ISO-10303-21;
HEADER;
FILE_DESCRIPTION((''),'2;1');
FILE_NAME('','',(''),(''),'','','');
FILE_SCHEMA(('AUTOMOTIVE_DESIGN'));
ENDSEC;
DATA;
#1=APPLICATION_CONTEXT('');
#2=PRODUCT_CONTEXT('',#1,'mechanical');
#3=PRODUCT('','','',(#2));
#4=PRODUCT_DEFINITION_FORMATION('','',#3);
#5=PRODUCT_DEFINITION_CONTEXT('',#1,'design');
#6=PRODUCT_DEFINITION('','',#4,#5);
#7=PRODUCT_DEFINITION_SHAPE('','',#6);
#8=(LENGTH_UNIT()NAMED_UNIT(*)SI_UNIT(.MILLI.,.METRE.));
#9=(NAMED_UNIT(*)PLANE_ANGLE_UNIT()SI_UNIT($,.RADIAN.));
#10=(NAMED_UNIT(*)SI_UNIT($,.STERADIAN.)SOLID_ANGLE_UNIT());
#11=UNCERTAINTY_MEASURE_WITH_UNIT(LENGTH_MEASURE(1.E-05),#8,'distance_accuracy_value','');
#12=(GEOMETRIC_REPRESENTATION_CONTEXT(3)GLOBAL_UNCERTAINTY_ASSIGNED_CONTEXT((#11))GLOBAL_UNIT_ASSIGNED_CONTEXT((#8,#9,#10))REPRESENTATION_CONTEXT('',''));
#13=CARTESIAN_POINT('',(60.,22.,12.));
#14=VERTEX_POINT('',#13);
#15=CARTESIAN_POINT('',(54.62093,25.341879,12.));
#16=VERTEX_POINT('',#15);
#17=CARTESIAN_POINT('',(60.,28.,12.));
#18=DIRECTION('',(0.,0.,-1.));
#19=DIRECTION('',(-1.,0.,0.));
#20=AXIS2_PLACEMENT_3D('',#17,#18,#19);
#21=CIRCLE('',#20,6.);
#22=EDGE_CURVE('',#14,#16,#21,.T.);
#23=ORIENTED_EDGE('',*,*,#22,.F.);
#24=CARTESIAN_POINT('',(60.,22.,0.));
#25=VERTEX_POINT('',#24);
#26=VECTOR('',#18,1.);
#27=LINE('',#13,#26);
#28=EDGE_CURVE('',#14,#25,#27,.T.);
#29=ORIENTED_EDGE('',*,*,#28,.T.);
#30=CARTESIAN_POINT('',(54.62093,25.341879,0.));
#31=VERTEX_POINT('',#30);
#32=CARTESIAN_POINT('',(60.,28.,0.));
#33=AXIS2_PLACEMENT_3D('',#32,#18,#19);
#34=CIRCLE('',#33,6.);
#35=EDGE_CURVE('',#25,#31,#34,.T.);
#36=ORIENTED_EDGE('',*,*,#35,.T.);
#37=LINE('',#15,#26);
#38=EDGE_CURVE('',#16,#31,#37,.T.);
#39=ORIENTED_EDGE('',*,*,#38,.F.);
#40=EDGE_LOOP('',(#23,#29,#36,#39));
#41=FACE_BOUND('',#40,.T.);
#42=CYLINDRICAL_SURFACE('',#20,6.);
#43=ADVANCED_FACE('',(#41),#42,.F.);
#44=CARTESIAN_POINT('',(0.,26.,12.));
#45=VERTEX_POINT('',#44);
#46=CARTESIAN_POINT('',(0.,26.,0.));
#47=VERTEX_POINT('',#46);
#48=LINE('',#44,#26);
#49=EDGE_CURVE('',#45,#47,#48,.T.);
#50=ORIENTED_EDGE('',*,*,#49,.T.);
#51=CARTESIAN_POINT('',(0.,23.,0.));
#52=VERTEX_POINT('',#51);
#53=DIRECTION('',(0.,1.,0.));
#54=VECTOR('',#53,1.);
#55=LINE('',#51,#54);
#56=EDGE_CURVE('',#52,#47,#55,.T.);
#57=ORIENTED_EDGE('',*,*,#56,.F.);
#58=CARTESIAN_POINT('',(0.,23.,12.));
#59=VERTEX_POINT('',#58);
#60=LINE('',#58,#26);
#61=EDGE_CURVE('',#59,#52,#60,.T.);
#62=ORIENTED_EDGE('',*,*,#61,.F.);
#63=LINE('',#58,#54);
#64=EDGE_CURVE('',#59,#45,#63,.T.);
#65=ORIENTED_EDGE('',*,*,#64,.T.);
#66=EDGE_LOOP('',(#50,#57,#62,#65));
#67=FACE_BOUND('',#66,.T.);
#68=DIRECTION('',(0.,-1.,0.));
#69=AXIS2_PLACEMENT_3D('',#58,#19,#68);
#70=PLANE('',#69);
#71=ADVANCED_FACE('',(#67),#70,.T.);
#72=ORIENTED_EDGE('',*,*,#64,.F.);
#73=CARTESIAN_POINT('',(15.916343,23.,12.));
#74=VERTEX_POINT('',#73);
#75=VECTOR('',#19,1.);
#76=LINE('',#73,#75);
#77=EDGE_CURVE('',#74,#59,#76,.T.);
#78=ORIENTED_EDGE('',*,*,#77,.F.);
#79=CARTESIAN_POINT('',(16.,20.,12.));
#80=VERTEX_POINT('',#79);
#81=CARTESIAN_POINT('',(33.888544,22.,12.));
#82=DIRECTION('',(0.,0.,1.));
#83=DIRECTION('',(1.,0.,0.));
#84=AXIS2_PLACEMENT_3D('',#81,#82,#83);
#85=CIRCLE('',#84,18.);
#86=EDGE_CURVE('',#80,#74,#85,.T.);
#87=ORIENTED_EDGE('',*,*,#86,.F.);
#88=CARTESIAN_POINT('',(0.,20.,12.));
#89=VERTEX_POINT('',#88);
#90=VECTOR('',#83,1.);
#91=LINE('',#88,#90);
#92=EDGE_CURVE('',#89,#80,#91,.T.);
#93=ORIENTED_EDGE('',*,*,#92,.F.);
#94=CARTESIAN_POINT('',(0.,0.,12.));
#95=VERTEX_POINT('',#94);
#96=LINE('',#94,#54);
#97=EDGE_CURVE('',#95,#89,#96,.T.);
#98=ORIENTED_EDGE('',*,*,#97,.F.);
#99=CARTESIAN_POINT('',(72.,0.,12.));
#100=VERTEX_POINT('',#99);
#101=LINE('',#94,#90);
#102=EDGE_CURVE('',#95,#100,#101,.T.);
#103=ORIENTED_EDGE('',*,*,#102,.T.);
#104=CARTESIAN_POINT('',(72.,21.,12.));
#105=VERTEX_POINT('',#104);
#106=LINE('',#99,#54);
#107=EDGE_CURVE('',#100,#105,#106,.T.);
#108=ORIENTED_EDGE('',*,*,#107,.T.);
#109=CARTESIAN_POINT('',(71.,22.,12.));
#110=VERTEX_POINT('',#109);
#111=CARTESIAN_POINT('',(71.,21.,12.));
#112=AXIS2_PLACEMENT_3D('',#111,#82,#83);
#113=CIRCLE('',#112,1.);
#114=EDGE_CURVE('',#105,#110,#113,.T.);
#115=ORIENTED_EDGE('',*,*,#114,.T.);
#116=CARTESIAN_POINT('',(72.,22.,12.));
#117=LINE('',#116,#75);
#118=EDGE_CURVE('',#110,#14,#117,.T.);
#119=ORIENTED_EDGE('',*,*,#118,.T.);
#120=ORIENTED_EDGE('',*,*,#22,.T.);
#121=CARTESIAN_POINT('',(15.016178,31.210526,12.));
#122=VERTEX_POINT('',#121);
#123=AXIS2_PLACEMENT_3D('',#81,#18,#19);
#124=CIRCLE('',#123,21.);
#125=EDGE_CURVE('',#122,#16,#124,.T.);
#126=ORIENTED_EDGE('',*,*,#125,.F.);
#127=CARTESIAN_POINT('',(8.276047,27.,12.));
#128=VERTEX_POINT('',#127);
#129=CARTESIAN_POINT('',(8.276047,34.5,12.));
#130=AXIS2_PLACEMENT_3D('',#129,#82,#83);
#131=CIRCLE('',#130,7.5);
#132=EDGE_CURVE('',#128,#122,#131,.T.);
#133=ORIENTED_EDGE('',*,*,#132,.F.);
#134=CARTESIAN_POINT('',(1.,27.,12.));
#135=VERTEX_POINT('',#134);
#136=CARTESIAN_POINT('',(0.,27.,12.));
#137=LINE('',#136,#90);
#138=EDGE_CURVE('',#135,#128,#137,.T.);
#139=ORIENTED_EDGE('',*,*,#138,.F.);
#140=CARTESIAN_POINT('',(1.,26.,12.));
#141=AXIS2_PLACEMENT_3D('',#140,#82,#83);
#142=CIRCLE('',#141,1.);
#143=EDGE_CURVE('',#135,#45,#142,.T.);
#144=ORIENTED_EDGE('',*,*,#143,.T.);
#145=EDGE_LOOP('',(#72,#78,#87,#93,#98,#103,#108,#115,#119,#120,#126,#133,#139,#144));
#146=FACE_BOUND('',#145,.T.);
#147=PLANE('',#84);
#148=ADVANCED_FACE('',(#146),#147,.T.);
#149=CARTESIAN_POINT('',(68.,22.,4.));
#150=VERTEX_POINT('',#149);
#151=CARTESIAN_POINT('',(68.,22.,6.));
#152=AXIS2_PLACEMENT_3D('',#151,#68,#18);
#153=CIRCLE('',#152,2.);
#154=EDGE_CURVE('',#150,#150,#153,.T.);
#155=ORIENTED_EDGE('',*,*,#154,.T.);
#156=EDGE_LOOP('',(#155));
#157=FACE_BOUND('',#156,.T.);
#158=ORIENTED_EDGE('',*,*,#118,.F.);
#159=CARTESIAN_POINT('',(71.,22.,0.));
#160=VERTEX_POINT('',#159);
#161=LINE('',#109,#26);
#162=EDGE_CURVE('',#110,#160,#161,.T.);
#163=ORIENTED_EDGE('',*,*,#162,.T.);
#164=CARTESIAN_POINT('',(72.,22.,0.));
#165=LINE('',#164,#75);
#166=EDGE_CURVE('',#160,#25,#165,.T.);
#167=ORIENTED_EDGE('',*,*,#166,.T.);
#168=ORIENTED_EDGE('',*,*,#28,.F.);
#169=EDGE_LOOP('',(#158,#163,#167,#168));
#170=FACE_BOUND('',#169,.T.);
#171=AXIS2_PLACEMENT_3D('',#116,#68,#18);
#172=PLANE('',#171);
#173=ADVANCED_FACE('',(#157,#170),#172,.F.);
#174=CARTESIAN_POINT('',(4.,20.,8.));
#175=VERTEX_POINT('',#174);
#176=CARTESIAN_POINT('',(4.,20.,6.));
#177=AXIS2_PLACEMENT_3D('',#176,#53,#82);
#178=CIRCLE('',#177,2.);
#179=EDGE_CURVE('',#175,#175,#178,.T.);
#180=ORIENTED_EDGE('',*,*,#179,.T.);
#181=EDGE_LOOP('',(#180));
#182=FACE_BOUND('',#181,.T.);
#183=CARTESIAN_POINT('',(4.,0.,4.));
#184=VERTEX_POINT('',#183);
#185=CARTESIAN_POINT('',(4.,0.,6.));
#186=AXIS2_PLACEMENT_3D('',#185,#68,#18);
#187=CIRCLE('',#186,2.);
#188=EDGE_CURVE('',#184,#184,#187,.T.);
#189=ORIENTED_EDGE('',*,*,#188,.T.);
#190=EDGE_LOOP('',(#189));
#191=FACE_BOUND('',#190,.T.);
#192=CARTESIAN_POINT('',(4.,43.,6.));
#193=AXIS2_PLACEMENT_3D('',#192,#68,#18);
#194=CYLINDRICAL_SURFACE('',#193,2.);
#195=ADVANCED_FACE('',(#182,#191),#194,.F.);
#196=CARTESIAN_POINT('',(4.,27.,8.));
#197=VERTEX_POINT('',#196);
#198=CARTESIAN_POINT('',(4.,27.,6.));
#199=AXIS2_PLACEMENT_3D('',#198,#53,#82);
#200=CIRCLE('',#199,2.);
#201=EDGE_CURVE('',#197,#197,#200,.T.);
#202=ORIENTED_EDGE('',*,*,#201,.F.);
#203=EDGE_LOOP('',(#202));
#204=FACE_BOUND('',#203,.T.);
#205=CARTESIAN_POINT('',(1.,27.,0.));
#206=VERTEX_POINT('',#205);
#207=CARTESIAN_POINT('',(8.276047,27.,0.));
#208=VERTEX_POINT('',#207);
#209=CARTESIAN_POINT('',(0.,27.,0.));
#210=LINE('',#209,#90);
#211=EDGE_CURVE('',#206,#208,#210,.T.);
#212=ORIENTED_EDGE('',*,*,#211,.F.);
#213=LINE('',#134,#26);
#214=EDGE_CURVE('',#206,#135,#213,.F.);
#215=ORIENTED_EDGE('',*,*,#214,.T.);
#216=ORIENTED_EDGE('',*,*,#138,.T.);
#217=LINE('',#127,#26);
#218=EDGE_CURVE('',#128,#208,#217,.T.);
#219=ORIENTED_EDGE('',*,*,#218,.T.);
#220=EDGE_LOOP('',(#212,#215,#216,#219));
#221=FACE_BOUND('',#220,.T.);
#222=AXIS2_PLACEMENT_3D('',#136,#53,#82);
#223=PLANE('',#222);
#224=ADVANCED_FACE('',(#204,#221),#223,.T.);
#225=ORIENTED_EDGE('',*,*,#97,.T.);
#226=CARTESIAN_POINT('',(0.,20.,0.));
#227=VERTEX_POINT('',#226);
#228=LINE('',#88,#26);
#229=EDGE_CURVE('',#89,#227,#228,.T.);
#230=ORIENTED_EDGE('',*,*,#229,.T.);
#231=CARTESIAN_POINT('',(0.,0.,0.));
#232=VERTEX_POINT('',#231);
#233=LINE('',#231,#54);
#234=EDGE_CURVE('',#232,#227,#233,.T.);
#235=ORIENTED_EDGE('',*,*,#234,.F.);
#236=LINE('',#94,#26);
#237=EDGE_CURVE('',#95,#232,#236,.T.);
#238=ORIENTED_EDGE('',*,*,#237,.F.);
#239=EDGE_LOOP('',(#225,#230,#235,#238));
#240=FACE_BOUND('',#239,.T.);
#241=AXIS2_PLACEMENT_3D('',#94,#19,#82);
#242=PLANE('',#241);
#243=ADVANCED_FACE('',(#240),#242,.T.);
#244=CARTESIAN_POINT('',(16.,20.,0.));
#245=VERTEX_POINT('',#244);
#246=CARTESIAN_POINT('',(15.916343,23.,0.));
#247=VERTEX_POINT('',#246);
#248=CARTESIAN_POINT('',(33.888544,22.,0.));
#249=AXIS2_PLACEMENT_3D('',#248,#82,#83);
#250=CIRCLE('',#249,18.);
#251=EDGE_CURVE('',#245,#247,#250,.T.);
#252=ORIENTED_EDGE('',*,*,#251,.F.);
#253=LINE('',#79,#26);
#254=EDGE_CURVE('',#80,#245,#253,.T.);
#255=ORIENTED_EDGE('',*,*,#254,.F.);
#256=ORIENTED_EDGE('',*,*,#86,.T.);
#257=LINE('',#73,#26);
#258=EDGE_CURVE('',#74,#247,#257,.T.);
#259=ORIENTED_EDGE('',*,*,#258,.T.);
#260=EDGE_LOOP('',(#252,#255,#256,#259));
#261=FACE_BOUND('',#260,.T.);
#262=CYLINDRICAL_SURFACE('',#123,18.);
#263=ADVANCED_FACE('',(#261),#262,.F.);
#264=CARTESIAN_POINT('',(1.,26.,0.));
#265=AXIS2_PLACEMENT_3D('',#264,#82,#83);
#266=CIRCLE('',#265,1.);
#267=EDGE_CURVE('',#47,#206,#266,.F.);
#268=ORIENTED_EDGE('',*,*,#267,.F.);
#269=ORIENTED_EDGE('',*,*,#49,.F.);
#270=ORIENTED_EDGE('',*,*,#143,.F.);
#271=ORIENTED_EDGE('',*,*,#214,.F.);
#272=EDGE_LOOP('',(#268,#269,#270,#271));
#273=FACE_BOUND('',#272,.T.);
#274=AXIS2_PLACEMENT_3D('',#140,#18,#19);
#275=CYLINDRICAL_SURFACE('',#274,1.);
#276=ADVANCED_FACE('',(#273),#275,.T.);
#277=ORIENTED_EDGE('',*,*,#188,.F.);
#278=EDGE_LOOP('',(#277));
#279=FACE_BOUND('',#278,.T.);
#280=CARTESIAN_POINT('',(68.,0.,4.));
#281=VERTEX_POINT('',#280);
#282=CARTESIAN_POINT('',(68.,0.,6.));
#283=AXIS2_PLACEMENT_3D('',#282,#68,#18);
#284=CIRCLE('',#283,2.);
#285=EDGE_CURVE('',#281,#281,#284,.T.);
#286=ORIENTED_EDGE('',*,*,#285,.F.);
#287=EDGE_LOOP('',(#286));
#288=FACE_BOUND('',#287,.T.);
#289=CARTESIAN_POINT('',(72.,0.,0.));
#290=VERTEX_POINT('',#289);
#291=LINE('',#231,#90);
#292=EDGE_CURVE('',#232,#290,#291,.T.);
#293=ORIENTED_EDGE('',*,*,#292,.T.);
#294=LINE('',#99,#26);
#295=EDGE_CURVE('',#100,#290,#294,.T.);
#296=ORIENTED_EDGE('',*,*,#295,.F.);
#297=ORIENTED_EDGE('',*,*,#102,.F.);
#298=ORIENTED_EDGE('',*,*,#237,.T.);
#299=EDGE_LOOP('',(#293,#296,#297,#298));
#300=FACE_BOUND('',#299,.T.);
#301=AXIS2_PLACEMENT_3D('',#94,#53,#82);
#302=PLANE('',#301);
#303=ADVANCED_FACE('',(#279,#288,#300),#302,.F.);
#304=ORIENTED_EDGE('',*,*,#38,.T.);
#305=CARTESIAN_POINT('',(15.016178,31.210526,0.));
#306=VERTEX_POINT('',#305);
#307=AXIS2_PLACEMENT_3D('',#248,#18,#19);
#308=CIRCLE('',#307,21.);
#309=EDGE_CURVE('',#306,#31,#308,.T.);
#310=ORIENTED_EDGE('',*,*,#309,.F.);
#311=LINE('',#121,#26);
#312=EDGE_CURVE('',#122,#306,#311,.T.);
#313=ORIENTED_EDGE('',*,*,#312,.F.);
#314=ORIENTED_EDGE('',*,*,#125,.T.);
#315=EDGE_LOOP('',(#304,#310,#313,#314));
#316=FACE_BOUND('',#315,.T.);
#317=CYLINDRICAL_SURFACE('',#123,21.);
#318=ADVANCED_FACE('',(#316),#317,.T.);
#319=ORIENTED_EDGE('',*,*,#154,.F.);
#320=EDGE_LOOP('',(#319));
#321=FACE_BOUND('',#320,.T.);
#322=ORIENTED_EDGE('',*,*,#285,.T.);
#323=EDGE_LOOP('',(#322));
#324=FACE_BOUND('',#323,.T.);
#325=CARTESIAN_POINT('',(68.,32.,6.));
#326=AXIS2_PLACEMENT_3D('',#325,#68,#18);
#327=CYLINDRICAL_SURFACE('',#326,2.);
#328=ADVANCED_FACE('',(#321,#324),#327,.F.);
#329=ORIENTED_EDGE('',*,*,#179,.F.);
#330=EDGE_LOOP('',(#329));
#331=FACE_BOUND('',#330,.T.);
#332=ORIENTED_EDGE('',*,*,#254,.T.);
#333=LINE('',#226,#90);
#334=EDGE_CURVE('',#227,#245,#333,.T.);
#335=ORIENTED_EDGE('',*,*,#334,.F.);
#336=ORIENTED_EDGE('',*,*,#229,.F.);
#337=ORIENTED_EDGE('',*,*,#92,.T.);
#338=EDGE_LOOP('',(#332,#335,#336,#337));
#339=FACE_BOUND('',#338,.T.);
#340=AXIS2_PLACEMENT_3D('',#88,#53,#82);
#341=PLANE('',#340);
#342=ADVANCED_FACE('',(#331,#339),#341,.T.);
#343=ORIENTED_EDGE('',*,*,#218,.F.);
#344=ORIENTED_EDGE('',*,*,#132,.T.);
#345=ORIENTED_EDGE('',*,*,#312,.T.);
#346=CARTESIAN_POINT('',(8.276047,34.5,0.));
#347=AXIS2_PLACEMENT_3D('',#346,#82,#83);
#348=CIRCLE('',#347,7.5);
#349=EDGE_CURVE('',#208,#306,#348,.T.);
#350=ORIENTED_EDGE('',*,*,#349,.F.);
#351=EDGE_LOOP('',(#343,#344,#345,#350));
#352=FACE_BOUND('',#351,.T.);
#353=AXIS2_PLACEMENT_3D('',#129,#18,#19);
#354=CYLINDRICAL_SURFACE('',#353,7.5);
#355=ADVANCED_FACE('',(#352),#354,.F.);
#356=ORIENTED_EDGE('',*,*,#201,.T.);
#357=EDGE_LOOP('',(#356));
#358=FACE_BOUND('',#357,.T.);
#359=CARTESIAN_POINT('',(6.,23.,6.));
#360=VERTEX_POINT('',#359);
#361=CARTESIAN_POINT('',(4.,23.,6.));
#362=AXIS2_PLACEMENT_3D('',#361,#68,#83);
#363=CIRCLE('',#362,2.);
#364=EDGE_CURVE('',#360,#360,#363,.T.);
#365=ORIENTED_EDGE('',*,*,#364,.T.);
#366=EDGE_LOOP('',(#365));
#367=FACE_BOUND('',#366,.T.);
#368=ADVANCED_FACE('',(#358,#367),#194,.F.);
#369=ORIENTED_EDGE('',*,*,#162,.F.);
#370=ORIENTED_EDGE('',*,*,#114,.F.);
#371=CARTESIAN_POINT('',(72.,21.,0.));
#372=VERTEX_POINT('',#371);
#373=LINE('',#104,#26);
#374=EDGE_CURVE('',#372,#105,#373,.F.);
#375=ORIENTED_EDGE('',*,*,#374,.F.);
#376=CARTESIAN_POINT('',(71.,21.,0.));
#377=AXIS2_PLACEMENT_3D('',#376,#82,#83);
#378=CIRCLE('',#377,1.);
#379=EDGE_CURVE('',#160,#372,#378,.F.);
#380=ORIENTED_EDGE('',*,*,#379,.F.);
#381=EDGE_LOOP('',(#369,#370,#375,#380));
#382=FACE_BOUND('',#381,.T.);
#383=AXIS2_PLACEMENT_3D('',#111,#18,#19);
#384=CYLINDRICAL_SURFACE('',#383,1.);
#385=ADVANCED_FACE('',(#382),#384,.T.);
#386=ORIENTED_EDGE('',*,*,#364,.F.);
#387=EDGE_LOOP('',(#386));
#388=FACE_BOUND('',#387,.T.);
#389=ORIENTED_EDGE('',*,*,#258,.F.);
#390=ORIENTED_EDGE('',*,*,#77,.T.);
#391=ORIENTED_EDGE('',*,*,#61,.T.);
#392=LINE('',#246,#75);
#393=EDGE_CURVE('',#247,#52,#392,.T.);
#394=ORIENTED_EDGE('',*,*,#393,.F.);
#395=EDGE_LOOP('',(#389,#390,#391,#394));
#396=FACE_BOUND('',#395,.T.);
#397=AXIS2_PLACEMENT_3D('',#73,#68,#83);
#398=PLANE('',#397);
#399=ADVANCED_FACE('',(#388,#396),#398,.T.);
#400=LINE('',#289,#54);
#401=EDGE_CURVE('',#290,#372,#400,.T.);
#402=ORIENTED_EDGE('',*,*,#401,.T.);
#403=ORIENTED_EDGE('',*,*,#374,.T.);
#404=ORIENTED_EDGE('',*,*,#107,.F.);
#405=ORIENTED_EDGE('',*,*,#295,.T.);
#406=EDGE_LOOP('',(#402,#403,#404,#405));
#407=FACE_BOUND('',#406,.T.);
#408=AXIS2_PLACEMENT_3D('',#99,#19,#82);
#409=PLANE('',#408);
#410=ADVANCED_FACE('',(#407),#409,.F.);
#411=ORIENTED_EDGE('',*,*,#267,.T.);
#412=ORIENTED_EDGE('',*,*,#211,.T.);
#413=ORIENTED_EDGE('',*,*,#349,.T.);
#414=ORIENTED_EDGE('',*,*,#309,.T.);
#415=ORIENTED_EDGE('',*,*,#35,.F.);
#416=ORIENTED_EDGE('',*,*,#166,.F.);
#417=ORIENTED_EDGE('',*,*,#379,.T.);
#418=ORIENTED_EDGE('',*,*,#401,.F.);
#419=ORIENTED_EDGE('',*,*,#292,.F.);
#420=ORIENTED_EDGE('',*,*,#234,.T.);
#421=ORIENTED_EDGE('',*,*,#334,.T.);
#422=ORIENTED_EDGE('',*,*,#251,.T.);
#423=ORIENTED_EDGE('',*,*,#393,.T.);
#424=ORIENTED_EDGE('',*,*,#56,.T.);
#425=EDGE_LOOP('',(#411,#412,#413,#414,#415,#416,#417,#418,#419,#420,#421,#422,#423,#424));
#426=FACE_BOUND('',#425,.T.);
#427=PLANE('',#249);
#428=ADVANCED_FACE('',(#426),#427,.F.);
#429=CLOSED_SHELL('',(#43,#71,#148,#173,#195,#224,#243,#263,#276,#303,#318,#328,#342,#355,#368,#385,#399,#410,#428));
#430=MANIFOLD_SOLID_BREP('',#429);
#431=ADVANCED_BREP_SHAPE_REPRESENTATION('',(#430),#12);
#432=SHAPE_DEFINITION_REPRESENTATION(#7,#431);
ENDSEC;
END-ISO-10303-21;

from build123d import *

# Parameters (mm, degrees)
BOSS_EXTRU_1_DEPTH      = 12
ESQUISSE2_R             = 2
ENL_V_MAT_EXTRU_2_DEPTH = 85.717176535
ESQUISSE2_4_R           = 2
ENL_V_MAT_EXTRU_3_DEPTH = 32
CONG_1_R                = 1


with BuildPart() as part:
    # Esquisse1 → Boss.-Extru.1 (new body)
    with BuildSketch(Plane.XY):
        with BuildLine():
            Line((0, 0), (72, 0))
            Line((72, 0), (72, 22))
            Line((72, 22), (60, 22))
            ThreePointArc((60, 22), (56.833671471, 22.903494958), (54.620930228, 25.341878785))
            ThreePointArc((54.620930228, 25.341878785), (36.966721004, 42.773175617), (15.016177647, 31.210526316))
            ThreePointArc((15.016177647, 31.210526316), (12.249643941, 28.139141071), (8.27604687, 27))
            Line((8.27604687, 27), (0, 27))
            Line((0, 27), (0, 23))
            Line((0, 23), (15.916343064, 23))
            ThreePointArc((15.916343064, 23), (51.881549416, 22.50174657), (16, 20))
            Line((16, 20), (0, 20))
            Line((0, 20), (0, 0))
        make_face()
    extrude(amount=BOSS_EXTRU_1_DEPTH)

    # Esquisse2 → Enlèv. mat.-Extru.2 (cut, through all)
    with BuildSketch(Plane(origin=(0, 0, 0), x_dir=(-1, 0, 0), z_dir=(0, -1, 0))):
        with Locations((-4, -6)):
            Circle(ESQUISSE2_R)
    extrude(amount=-ENL_V_MAT_EXTRU_2_DEPTH, mode=Mode.SUBTRACT)

    # Esquisse2<4> → Enlèv. mat.-Extru.3 (cut)
    with BuildSketch(Plane(origin=(0, 0, 0), x_dir=(-1, 0, 0), z_dir=(0, -1, 0))):
        with Locations((-4, -6)):
            Circle(ESQUISSE2_4_R)
        with Locations((-68, -6)):
            Circle(ESQUISSE2_4_R)
    extrude(amount=-ENL_V_MAT_EXTRU_3_DEPTH, mode=Mode.SUBTRACT)

    # Congé1
    cong_1_edges = [part.edges().sort_by_distance(p)[0] for p in [
        (0, 27, 6),
        (72, 22, 6),
    ]]
    fillet(cong_1_edges, radius=CONG_1_R)


solid = part.part
